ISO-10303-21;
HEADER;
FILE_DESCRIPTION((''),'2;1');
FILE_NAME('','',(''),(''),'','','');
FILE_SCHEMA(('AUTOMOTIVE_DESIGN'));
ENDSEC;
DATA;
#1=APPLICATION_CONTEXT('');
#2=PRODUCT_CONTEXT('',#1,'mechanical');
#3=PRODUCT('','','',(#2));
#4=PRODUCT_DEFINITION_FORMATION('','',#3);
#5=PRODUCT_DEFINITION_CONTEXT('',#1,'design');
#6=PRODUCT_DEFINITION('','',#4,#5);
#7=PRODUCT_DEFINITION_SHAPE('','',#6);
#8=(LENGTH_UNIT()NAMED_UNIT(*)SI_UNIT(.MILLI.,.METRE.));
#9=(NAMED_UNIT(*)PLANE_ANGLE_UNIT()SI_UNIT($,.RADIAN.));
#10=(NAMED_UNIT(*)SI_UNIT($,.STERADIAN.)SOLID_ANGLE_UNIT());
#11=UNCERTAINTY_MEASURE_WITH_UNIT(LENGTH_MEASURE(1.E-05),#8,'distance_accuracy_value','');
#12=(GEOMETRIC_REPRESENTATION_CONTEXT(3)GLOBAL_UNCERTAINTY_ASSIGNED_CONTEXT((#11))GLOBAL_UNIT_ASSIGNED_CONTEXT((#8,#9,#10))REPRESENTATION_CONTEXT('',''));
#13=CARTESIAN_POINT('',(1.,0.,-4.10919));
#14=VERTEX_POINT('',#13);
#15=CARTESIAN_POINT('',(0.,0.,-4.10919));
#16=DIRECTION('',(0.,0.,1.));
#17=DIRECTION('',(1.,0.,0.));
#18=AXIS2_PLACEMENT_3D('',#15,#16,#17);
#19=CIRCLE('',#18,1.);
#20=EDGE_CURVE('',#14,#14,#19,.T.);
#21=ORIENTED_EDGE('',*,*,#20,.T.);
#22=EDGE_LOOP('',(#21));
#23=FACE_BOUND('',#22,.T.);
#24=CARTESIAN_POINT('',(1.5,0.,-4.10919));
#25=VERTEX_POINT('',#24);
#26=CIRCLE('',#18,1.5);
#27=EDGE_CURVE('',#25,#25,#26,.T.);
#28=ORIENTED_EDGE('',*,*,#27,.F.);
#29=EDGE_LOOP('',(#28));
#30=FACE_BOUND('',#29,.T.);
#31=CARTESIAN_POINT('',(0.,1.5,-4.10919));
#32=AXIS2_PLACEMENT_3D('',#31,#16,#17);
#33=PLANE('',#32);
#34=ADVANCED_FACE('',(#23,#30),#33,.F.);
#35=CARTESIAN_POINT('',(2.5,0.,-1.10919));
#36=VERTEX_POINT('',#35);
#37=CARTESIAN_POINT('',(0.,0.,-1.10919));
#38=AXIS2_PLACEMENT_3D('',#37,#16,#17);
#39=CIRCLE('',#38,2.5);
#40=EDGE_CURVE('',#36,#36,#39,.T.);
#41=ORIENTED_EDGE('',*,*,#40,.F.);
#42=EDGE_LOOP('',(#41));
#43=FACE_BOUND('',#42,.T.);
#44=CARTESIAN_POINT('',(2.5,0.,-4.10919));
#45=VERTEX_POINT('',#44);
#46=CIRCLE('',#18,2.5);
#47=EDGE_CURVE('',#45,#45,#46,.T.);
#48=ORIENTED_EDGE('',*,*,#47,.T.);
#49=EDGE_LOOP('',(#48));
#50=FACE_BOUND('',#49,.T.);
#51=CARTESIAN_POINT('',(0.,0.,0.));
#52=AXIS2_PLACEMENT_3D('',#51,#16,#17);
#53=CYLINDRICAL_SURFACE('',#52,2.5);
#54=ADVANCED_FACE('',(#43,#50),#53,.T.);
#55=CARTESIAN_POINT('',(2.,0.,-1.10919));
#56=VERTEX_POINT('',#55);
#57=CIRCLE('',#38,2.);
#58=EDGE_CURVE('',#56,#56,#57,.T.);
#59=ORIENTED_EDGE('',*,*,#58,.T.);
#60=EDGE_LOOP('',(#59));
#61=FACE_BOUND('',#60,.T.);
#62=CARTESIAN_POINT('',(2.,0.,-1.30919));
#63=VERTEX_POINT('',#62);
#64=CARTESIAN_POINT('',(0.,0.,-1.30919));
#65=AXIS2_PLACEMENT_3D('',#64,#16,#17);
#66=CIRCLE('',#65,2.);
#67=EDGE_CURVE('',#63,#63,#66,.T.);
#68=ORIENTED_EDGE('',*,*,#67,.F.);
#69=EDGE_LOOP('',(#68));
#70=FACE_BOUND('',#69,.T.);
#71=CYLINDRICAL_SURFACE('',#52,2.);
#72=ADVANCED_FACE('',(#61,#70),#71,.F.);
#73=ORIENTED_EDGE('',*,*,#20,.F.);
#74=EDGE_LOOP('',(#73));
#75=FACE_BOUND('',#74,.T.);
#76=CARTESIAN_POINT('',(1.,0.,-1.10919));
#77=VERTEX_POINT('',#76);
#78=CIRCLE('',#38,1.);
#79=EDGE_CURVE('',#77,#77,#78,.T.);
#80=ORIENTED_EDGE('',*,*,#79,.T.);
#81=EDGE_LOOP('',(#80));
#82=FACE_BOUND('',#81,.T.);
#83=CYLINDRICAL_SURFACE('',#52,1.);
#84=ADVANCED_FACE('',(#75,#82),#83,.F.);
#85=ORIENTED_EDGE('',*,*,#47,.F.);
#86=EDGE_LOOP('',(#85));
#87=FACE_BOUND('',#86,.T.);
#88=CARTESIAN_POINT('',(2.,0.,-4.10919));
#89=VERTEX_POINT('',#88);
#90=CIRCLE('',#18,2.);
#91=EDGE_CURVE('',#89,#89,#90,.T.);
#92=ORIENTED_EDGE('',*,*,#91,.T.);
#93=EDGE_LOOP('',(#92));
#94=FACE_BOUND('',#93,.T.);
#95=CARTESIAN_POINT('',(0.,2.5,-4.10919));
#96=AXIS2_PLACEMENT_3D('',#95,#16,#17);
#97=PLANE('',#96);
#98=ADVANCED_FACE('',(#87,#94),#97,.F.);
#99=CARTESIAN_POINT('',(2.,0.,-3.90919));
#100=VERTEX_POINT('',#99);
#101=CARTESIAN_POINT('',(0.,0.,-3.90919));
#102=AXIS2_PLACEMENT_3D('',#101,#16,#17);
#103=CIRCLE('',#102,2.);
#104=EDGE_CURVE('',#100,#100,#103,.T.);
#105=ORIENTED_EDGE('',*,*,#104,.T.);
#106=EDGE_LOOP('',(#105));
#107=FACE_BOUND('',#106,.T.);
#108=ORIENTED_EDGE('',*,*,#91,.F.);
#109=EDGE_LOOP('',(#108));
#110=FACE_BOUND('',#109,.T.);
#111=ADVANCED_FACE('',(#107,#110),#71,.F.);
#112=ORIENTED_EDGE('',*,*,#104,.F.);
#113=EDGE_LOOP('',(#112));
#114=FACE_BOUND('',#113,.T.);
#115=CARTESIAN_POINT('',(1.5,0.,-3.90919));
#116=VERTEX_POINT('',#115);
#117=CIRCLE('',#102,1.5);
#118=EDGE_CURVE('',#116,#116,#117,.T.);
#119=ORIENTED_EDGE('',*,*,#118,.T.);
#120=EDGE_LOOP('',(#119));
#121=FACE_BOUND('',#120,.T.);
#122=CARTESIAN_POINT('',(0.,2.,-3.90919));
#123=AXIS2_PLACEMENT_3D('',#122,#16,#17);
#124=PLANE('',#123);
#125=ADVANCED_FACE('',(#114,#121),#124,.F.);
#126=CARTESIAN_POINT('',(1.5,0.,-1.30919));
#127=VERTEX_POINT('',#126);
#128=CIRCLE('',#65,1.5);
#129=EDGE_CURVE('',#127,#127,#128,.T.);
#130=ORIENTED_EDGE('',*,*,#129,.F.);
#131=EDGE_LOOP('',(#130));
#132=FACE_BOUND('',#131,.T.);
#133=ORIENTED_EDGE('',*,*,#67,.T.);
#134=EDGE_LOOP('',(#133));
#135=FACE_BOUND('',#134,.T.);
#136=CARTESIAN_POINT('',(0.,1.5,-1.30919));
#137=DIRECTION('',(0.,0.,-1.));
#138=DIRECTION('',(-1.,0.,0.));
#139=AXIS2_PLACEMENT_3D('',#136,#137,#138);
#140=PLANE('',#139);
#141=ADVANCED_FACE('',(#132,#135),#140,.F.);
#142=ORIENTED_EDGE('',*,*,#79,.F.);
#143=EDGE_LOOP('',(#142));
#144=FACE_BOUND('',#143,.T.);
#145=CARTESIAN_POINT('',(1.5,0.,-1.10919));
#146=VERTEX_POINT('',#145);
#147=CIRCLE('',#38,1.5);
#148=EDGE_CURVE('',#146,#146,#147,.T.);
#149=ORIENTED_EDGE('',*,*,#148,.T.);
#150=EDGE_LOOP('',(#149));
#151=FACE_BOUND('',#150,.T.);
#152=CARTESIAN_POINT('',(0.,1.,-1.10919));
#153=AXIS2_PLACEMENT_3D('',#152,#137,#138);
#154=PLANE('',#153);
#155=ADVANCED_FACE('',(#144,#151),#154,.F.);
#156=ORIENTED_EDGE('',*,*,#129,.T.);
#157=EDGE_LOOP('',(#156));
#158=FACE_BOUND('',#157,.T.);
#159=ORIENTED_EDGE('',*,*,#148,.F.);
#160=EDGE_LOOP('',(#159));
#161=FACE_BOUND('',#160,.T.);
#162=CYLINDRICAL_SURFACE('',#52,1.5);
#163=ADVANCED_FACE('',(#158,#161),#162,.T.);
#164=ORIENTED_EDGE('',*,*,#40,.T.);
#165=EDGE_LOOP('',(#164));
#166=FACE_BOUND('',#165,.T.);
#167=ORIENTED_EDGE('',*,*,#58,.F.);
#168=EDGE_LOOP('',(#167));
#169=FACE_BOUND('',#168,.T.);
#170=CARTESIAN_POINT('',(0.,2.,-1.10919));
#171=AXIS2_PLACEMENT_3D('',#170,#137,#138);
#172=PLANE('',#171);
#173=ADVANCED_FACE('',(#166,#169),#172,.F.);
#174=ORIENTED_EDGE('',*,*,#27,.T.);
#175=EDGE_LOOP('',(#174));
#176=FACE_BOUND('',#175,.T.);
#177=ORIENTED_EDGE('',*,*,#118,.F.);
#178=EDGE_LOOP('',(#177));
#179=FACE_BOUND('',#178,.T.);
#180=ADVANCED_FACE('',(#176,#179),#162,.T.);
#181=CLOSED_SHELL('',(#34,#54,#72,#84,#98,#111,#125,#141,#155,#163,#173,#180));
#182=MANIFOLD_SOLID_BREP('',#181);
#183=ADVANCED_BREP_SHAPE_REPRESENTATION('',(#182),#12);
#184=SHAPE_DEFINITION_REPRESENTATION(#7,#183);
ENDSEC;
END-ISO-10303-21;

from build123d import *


with BuildPart() as part:
    # Sketch2 → Revolve1 (revolve)
    with BuildSketch(Plane(origin=(0, 0, 0), x_dir=(0, 0, -1), z_dir=(1, 0, 0))):
        Polygon((1.10919003, 2.5), (4.10919003, 2.5), (4.10919003, 2), (3.90919003, 2), (3.90919003, 1.5), (4.10919003, 1.5), (4.10919003, 1), (1.10919003, 1), (1.10919003, 1.5), (1.30919003, 1.5), (1.30919003, 2), (1.10919003, 2), align=None)
    revolve(axis=Axis((0, 0, 0), (0, 0, -1)))


solid = part.part
